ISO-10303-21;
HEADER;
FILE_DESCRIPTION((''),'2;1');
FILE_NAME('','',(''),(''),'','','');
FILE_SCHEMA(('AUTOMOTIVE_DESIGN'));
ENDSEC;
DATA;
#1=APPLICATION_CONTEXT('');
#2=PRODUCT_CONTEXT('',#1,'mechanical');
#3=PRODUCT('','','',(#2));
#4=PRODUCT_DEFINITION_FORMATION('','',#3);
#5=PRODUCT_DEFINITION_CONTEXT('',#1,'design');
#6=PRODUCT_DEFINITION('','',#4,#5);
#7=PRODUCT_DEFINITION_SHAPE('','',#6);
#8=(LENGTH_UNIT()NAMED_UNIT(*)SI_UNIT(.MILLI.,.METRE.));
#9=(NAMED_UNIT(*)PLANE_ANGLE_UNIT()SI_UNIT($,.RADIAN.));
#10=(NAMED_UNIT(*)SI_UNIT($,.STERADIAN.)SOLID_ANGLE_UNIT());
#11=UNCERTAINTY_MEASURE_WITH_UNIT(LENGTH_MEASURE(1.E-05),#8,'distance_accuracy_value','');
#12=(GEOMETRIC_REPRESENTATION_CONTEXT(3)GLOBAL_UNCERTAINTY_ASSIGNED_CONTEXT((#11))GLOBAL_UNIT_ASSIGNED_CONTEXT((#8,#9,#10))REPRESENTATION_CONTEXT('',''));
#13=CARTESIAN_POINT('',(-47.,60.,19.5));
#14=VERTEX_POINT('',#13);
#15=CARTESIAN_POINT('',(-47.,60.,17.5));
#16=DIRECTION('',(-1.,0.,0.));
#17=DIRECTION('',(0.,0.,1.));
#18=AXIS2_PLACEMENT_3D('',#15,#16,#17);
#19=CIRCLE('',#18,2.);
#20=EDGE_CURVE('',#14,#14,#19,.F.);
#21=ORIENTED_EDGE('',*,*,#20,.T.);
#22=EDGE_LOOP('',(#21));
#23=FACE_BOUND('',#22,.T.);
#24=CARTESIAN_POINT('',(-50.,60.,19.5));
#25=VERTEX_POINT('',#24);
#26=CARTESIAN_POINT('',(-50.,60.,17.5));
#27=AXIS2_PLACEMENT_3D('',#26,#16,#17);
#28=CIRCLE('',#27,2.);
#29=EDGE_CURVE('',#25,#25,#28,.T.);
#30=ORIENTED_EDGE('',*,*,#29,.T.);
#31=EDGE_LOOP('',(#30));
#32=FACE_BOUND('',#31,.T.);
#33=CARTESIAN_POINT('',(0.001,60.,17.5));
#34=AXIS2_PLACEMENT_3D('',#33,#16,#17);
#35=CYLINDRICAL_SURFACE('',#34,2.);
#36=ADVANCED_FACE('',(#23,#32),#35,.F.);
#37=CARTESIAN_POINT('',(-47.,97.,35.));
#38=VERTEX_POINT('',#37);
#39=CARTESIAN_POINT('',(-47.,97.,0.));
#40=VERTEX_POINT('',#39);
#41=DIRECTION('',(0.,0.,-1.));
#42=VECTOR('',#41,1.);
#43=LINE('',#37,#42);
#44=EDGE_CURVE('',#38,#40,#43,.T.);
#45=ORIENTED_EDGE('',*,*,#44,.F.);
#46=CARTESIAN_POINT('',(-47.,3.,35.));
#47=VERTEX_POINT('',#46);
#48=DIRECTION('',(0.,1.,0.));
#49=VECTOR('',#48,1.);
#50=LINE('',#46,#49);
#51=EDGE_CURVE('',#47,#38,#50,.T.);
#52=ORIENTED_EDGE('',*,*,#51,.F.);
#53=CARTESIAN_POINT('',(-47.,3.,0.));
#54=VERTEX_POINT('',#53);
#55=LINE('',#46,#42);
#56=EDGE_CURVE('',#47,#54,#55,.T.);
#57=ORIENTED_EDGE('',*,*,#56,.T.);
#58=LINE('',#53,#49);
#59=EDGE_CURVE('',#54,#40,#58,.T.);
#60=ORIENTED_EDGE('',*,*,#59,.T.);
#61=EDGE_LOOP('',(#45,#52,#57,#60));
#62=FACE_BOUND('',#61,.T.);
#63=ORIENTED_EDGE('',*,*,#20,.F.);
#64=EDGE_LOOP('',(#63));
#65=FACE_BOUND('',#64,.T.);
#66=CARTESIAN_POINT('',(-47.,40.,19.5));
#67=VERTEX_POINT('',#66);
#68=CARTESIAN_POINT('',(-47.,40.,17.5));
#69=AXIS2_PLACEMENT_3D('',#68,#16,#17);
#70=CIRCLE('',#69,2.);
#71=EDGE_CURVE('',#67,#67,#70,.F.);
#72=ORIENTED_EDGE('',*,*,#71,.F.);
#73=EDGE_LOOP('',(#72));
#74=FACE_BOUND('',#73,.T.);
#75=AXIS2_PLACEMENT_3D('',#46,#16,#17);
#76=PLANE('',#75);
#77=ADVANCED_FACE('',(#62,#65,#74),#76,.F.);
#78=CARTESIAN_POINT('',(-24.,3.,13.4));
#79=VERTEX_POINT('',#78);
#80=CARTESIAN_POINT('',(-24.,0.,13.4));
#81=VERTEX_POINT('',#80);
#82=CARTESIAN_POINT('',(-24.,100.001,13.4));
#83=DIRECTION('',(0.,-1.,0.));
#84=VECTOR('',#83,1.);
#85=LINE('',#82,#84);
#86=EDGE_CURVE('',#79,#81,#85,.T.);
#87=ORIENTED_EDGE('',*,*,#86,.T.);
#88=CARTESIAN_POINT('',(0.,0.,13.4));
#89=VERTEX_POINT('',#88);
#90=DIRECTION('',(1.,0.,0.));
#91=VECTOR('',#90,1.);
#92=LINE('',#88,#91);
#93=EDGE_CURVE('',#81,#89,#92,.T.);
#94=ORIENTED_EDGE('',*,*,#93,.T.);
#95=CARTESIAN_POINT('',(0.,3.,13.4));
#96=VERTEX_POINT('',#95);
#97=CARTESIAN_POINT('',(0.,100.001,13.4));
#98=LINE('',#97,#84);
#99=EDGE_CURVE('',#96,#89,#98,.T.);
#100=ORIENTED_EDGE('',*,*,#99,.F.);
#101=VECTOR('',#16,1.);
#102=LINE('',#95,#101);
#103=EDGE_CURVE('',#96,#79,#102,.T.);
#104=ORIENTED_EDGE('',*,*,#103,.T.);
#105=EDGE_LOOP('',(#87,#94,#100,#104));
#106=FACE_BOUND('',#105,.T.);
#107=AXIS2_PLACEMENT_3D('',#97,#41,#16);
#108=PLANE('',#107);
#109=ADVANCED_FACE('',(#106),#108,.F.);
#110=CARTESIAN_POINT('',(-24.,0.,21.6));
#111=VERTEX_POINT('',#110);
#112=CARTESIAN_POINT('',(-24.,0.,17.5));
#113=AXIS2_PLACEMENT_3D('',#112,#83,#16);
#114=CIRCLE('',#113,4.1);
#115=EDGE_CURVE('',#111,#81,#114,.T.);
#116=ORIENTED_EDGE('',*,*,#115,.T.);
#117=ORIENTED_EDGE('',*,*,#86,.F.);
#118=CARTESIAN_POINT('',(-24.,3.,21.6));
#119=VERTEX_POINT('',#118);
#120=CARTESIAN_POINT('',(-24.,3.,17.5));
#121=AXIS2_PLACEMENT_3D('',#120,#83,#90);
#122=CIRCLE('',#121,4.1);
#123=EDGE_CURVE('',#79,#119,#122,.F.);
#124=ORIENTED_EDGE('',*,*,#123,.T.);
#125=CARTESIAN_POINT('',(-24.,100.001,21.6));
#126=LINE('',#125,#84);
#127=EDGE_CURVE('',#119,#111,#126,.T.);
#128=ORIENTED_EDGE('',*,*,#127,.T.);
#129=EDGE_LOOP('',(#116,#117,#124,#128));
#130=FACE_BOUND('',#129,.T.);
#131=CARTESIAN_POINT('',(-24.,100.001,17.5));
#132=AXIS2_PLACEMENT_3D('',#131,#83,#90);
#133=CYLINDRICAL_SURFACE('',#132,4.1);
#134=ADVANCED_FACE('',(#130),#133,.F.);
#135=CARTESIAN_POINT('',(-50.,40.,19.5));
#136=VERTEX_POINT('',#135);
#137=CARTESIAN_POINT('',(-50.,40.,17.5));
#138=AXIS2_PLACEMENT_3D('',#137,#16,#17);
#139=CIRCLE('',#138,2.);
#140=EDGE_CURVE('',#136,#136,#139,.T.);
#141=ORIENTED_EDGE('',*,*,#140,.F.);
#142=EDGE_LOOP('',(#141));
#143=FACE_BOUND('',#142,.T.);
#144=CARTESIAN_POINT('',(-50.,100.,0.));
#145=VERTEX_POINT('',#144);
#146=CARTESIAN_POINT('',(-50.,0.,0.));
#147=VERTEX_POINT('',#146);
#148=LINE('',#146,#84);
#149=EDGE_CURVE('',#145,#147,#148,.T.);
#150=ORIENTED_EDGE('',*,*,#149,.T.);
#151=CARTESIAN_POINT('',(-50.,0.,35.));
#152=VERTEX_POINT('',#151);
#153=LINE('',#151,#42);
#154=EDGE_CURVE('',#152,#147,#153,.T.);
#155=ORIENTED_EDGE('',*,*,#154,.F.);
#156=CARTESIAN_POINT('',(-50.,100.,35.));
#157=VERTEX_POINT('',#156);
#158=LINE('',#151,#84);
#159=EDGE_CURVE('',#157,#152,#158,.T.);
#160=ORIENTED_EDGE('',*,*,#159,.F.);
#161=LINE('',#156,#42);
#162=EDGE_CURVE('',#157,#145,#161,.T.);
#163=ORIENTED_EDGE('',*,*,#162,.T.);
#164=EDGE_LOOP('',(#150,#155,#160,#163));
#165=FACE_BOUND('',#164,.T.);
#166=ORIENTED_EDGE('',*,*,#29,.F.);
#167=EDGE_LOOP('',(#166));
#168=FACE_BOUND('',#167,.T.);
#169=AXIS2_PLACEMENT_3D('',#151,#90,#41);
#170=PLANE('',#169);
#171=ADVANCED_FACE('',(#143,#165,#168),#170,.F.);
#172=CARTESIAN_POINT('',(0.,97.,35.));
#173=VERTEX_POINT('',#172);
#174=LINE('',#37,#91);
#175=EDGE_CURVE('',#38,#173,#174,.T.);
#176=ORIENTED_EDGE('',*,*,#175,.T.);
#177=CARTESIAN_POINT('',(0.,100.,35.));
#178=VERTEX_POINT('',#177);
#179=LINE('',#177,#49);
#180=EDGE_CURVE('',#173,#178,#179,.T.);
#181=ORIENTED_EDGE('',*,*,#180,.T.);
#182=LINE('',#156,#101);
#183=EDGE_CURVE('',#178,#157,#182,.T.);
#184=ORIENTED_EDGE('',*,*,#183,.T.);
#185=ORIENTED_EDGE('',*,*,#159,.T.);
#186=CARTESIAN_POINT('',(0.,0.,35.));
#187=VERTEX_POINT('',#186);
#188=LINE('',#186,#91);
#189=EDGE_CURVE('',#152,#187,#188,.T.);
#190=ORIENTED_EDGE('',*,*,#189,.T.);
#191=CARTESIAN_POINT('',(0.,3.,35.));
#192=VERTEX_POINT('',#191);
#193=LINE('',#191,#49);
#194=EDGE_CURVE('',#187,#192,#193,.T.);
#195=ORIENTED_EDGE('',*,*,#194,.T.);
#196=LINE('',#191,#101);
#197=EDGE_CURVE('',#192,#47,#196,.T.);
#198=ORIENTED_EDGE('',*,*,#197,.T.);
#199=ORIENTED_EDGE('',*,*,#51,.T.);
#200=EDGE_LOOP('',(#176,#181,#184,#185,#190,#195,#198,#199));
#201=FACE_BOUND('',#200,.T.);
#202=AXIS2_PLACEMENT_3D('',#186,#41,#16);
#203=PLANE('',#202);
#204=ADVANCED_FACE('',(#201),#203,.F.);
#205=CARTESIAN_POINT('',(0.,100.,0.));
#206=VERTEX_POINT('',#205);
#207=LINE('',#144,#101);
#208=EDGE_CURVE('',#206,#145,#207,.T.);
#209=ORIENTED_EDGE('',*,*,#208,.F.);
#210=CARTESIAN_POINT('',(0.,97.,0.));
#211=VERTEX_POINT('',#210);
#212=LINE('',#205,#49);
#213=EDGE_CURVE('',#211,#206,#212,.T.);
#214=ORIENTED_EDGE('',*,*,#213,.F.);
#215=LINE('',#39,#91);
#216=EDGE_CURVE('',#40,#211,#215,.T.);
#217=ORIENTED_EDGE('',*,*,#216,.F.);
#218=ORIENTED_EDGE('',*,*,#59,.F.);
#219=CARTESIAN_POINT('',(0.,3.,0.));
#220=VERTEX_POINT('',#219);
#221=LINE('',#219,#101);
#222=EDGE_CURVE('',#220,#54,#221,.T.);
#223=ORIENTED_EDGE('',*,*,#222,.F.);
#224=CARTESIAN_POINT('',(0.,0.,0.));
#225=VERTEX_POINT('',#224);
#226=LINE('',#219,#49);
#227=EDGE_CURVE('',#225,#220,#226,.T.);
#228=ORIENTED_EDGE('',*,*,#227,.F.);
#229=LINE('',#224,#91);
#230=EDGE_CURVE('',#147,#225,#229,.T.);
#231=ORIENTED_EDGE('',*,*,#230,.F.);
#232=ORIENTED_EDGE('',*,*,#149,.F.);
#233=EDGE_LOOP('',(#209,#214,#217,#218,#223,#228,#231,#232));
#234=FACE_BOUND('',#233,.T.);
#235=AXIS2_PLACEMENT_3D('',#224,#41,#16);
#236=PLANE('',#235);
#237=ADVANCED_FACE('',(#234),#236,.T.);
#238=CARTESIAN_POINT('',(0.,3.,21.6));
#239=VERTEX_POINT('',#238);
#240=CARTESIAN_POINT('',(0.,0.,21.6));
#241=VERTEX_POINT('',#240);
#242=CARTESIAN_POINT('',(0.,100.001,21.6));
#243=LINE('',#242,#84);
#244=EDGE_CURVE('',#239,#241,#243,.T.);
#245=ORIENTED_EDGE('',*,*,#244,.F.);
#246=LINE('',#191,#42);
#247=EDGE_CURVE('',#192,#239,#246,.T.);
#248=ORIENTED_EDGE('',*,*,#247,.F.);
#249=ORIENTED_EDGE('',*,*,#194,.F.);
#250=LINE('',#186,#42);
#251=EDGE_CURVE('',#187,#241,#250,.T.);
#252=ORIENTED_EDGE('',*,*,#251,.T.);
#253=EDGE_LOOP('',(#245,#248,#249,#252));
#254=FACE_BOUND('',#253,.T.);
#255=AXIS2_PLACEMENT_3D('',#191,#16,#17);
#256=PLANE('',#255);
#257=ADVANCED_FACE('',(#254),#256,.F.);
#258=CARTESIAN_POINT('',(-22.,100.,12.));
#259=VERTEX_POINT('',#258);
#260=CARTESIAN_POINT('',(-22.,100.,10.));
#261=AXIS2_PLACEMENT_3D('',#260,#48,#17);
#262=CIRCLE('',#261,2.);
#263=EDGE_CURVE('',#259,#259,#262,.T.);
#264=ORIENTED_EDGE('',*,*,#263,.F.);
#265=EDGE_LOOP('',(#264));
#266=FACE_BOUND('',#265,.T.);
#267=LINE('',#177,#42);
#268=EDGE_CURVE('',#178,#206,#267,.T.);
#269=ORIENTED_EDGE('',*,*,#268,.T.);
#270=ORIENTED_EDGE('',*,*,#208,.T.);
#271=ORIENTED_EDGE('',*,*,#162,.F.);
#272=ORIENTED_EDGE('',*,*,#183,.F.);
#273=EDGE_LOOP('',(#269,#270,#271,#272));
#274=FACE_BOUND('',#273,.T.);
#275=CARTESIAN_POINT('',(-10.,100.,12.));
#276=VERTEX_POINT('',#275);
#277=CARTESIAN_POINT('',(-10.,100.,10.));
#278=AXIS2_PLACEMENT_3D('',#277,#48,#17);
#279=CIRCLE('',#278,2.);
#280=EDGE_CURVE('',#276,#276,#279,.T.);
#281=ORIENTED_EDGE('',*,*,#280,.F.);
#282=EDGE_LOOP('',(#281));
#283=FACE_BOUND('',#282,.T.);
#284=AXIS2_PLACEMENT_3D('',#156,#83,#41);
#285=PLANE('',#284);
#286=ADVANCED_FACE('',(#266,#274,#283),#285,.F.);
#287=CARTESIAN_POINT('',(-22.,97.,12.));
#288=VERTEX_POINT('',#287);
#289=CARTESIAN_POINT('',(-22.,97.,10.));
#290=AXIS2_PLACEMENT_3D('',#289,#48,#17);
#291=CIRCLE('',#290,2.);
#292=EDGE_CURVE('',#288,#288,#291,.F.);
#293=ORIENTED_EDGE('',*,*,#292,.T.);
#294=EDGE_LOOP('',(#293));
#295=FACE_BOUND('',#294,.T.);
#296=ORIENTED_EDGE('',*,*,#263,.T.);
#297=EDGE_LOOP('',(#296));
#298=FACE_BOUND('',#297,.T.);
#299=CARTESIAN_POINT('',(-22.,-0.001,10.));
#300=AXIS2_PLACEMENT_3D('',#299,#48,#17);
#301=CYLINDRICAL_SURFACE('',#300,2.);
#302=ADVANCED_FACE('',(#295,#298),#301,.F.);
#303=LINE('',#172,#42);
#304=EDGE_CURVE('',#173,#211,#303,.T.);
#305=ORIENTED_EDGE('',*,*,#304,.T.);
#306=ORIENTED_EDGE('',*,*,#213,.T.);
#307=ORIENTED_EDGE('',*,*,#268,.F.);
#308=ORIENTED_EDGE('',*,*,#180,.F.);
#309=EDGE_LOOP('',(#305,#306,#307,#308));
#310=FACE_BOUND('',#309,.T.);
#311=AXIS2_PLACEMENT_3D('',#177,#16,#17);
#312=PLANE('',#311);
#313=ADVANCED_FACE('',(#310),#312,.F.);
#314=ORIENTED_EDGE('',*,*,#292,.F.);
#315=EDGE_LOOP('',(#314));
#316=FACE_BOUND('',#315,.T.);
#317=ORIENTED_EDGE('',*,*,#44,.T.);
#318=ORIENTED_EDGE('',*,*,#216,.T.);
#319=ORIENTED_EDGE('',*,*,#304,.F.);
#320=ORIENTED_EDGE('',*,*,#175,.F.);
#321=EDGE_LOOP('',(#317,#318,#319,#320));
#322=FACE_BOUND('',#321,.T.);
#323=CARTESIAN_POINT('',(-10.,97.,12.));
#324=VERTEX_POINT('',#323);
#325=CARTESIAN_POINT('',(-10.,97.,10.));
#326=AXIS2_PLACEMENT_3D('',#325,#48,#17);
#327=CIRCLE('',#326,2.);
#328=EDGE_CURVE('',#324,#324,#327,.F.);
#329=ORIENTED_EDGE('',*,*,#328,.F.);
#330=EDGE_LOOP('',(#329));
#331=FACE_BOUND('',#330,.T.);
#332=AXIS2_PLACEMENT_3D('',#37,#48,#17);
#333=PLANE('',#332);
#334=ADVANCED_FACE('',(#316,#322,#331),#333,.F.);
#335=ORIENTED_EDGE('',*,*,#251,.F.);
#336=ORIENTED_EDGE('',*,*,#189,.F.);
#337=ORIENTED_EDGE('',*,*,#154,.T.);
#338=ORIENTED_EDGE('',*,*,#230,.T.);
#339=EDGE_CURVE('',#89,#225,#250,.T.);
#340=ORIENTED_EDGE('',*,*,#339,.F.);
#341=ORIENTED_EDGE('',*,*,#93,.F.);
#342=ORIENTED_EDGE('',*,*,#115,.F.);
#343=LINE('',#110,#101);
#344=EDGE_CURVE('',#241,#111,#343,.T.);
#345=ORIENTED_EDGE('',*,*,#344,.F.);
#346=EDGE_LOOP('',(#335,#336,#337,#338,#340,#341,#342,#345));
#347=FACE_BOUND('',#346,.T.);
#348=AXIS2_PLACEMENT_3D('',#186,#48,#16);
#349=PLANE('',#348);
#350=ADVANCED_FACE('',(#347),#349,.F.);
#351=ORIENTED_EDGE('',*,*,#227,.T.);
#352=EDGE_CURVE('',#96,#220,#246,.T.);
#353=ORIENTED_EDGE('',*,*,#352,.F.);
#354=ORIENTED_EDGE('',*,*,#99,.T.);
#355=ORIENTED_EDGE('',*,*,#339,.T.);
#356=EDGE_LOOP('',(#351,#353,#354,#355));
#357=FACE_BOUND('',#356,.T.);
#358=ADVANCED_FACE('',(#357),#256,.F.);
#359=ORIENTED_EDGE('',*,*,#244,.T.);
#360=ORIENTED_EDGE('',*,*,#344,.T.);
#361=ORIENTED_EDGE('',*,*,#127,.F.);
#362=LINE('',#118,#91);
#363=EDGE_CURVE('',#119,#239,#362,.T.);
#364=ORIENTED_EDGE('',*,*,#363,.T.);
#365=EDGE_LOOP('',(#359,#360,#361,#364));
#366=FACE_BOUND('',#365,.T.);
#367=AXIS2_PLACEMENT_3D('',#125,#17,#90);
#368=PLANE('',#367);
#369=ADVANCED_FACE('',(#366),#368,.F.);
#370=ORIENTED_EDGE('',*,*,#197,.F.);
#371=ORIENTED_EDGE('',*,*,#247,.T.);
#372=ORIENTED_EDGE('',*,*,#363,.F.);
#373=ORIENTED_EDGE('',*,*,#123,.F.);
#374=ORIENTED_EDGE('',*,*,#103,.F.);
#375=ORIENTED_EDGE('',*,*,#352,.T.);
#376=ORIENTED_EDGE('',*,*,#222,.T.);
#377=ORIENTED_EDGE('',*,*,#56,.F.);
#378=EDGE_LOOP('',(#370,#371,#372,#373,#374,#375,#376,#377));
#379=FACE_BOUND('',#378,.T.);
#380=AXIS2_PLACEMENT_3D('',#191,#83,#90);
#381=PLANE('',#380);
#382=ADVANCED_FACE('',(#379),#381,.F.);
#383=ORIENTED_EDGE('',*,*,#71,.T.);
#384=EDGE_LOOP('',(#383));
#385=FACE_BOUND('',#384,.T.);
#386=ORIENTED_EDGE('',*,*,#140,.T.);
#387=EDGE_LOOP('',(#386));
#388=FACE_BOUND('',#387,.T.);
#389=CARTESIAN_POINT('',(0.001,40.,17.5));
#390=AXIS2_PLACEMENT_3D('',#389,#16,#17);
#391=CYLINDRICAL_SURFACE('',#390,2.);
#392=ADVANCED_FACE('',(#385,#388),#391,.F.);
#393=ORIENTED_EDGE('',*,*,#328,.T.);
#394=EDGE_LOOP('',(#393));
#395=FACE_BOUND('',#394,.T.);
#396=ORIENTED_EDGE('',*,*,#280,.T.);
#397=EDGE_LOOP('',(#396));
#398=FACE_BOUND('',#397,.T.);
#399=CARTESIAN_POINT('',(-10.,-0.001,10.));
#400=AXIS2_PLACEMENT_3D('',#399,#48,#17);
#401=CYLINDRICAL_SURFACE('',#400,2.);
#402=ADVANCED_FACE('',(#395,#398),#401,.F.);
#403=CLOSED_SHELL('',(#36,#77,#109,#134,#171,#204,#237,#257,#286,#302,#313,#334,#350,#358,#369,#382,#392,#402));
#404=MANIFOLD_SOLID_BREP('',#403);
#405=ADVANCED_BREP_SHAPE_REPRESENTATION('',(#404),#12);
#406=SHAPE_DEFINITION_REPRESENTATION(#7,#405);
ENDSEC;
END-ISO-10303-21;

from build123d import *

# Parameters (mm, degrees)
BOSS_EXTRUDE1_DEPTH = 35
CUT_EXTRUDE1_REACH  = 119.154
CUT_EXTRUDE2_REACH  = 119.154
SKETCH3_R           = 2
CUT_EXTRUDE3_REACH  = 119.154
SKETCH4_R           = 2


with BuildPart() as part:
    # Sketch1 → Boss-Extrude1 (new body)
    with BuildSketch(Plane.XY):
        Polygon((0, 0), (-50, 0), (-50, 100), (0, 100), (0, 97), (-47, 97), (-47, 3), (0, 3), align=None)
    extrude(amount=BOSS_EXTRUDE1_DEPTH)

    # Sketch2 → Cut-Extrude1 (cut, up to next)
    with BuildSketch(Plane.XZ, mode=Mode.PRIVATE) as cut_extrude1_sk1:
        with BuildLine():
            Line((0, 13.4), (-24, 13.4))
            ThreePointArc((-24, 13.4), (-28.1, 17.5), (-24, 21.6))
            Line((-24, 21.6), (0, 21.6))
            Line((0, 21.6), (0, 13.4))
        make_face()
    cut_extrude1_tool1 = extrude(cut_extrude1_sk1.sketch, amount=-CUT_EXTRUDE1_REACH, mode=Mode.PRIVATE) & part.part
    add(cut_extrude1_tool1.solids().sort_by_distance((-13.625448, 0, 17.5))[0], mode=Mode.SUBTRACT)

    # Sketch3 → Cut-Extrude2 (cut, up to next)
    with BuildSketch(Plane(origin=(0, 100, 0), x_dir=(1, 0, 0), z_dir=(0, 1, 0)), mode=Mode.PRIVATE) as cut_extrude2_sk1:
        with Locations(Location((-22, -10, 0), (0, 0, 270))):
            Circle(SKETCH3_R)
    cut_extrude2_tool1 = extrude(cut_extrude2_sk1.sketch, amount=-CUT_EXTRUDE2_REACH, mode=Mode.PRIVATE) & part.part
    # Sketch3 → Cut-Extrude2 (cut, up to next)
    with BuildSketch(Plane(origin=(0, 100, 0), x_dir=(1, 0, 0), z_dir=(0, 1, 0)), mode=Mode.PRIVATE) as cut_extrude2_sk2:
        with Locations(Location((-10, -10, 0), (0, 0, 270))):
            Circle(SKETCH3_R)
    cut_extrude2_tool2 = extrude(cut_extrude2_sk2.sketch, amount=-CUT_EXTRUDE2_REACH, mode=Mode.PRIVATE) & part.part
    add(cut_extrude2_tool1.solids().sort_by_distance((-22, 100, 10))[0], mode=Mode.SUBTRACT)
    add(cut_extrude2_tool2.solids().sort_by_distance((-10, 100, 10))[0], mode=Mode.SUBTRACT)

    # Sketch4 → Cut-Extrude3 (cut, up to next)
    with BuildSketch(Plane.ZY.offset(50), mode=Mode.PRIVATE) as cut_extrude3_sk1:
        with Locations((17.5, 60)):
            Circle(SKETCH4_R)
    cut_extrude3_tool1 = extrude(cut_extrude3_sk1.sketch, amount=-CUT_EXTRUDE3_REACH, mode=Mode.PRIVATE) & part.part
    # Sketch4 → Cut-Extrude3 (cut, up to next)
    with BuildSketch(Plane.ZY.offset(50), mode=Mode.PRIVATE) as cut_extrude3_sk2:
        with Locations((17.5, 40)):
            Circle(SKETCH4_R)
    cut_extrude3_tool2 = extrude(cut_extrude3_sk2.sketch, amount=-CUT_EXTRUDE3_REACH, mode=Mode.PRIVATE) & part.part
    add(cut_extrude3_tool1.solids().sort_by_distance((-50, 60, 17.5))[0], mode=Mode.SUBTRACT)
    add(cut_extrude3_tool2.solids().sort_by_distance((-50, 40, 17.5))[0], mode=Mode.SUBTRACT)


solid = part.part
